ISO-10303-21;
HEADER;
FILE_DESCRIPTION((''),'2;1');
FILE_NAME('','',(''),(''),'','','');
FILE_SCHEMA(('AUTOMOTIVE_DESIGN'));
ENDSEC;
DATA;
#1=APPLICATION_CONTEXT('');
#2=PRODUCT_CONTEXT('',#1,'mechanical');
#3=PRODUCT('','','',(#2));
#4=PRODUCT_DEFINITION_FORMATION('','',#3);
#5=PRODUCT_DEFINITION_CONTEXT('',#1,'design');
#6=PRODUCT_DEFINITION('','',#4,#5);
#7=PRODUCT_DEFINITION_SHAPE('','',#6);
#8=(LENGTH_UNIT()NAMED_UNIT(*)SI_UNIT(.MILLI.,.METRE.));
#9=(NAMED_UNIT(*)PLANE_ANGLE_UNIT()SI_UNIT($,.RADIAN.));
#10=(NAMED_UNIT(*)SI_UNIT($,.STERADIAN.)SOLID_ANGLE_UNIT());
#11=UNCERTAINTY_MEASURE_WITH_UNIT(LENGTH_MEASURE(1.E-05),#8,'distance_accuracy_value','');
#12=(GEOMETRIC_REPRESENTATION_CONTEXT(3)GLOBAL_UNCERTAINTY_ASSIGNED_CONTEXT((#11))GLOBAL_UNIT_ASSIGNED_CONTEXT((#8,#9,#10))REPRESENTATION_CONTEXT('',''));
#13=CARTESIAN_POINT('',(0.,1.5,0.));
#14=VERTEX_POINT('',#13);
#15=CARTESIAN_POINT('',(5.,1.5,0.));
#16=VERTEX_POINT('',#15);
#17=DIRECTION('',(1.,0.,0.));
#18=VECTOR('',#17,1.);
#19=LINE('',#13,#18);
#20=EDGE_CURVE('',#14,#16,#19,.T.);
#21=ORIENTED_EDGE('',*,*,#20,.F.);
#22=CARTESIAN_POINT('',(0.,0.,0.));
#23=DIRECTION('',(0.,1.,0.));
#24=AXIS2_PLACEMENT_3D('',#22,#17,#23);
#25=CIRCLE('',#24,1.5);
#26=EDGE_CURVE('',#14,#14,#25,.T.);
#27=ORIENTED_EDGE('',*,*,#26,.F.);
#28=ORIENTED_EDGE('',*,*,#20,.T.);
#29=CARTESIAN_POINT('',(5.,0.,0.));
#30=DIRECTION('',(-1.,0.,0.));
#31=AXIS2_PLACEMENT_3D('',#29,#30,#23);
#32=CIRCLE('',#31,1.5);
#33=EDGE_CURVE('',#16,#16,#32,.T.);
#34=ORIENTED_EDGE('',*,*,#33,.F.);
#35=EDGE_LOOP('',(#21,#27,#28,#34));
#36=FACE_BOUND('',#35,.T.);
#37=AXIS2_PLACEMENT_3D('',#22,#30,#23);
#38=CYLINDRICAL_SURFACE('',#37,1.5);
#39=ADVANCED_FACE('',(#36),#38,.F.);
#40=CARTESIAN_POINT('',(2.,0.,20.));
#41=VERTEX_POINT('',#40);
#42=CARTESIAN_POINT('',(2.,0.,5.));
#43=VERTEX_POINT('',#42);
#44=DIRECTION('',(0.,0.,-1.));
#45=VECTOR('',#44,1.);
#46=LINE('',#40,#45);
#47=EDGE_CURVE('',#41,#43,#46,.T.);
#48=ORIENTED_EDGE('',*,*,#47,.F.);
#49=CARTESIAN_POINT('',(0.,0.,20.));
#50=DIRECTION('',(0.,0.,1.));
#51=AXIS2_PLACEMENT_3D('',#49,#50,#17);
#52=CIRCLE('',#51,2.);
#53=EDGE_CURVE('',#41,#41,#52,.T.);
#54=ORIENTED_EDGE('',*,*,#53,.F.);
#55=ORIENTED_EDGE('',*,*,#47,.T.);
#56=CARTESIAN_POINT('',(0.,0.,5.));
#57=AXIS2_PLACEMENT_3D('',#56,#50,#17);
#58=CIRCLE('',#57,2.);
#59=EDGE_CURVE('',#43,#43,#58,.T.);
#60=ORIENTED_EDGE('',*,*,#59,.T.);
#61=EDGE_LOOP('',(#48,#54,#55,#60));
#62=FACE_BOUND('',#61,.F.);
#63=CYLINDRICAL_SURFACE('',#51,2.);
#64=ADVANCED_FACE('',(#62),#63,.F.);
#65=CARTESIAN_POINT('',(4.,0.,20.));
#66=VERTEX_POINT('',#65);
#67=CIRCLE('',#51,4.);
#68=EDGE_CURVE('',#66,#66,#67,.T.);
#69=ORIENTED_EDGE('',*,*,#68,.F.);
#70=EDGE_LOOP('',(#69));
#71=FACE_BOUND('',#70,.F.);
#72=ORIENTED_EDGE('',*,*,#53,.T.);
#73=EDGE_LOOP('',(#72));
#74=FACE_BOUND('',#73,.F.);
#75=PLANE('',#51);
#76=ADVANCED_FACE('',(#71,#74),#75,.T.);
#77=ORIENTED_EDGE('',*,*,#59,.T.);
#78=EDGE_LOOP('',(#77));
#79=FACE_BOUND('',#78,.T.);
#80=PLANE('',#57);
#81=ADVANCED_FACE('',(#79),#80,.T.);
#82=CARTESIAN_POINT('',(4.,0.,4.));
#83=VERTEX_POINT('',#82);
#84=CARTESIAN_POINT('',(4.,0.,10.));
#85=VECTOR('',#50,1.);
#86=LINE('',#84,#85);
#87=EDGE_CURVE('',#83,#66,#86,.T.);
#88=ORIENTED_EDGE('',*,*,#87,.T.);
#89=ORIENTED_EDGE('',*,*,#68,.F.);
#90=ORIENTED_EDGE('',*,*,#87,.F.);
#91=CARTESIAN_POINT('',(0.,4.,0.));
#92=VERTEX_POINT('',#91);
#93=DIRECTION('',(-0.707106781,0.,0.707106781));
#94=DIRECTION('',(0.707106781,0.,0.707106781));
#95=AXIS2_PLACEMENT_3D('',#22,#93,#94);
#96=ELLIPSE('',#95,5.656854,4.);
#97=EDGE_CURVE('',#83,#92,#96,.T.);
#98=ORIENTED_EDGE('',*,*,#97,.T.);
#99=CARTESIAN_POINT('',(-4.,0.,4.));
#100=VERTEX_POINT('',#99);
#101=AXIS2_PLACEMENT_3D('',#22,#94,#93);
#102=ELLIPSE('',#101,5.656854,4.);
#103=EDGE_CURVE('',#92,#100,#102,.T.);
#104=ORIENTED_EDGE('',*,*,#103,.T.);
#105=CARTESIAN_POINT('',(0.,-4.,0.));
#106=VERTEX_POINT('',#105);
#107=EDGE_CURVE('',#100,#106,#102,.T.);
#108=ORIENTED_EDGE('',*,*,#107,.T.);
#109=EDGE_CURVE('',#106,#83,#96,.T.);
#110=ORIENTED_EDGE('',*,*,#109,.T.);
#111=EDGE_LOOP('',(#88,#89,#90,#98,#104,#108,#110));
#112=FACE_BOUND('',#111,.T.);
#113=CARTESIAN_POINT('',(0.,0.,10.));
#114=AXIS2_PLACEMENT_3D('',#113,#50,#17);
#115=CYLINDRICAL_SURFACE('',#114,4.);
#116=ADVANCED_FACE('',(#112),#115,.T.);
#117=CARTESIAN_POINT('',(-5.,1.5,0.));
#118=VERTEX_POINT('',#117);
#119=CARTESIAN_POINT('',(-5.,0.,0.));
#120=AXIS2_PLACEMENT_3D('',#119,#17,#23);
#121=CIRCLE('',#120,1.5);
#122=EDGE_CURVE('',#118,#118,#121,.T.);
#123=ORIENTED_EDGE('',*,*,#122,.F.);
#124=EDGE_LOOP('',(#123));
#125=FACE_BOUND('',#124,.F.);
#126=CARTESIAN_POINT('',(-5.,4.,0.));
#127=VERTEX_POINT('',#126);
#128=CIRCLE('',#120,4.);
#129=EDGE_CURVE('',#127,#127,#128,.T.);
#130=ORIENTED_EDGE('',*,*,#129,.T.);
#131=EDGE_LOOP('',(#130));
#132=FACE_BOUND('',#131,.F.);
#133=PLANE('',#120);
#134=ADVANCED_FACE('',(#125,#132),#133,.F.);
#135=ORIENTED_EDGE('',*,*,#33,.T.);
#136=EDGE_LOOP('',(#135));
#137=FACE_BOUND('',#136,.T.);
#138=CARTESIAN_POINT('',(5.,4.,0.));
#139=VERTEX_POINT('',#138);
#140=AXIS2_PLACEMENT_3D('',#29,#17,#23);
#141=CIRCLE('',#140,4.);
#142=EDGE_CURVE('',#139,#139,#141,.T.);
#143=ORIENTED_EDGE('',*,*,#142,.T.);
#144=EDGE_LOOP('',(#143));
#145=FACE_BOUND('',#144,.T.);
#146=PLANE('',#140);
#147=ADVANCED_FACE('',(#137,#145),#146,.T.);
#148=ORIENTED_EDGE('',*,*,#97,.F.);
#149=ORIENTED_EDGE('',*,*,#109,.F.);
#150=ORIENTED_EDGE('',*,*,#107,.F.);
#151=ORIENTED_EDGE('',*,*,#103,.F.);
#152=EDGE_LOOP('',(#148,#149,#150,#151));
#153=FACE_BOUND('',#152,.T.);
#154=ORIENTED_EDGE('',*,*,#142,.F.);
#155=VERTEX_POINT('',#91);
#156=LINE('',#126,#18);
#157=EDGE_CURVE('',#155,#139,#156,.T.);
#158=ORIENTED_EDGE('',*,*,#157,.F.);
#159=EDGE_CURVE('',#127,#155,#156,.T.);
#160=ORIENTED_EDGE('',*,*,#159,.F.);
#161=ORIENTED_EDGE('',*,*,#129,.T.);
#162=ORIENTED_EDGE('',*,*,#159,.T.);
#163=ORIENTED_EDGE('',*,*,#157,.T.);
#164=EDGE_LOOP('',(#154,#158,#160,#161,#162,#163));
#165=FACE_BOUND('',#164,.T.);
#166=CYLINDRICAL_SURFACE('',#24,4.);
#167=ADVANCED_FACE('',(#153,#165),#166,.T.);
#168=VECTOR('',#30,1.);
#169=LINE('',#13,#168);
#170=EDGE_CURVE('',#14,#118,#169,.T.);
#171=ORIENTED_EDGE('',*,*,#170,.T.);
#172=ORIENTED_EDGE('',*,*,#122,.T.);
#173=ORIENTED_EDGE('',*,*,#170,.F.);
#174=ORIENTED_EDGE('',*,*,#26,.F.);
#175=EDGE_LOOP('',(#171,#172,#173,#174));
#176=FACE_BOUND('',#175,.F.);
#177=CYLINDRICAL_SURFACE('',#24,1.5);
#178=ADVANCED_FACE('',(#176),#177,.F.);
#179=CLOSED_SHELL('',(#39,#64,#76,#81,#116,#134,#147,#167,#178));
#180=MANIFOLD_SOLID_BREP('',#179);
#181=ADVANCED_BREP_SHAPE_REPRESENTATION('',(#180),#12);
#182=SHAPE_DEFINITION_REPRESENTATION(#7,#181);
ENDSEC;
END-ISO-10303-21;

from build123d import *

# Parameters (mm, degrees)
SKETCH_W          = 4
SKETCH_H          = 20
SKETCH001_R       = 4
PAD_DEPTH         = 5
SKETCH002_R       = 1.5
POCKET_DEPTH      = 5.001
POCKET_DEPTH_BACK = -5.001
SKETCH003_R       = 2
POCKET001_DEPTH   = 15


with BuildPart() as part:
    # Sketch (on DatumPlane) → Revolution (revolve)
    with BuildSketch(Plane.XZ):
        with Locations((2, 10)):
            Rectangle(SKETCH_W, SKETCH_H)
    revolve(axis=Axis((0, 0, 0), (0, 0, 1)))

    # Sketch001 (on DatumPlane) → Pad (new body, symmetric)
    with BuildSketch(Plane.YZ):
        Circle(SKETCH001_R)
    extrude(amount=PAD_DEPTH, both=True)

    # Sketch002 (on DatumPlane) → Pocket (cut, two sides)
    with BuildSketch(Plane.YZ) as pocket_sk:
        Circle(SKETCH002_R)
    extrude(amount=-POCKET_DEPTH, mode=Mode.SUBTRACT)
    extrude(pocket_sk.sketch, amount=-POCKET_DEPTH_BACK, mode=Mode.SUBTRACT)

    # Sketch003 (on DatumPlane) → Pocket001 (cut)
    with BuildSketch(Plane.XY.offset(20)):
        Circle(SKETCH003_R)
    extrude(amount=-POCKET001_DEPTH, mode=Mode.SUBTRACT)


solid = part.part
